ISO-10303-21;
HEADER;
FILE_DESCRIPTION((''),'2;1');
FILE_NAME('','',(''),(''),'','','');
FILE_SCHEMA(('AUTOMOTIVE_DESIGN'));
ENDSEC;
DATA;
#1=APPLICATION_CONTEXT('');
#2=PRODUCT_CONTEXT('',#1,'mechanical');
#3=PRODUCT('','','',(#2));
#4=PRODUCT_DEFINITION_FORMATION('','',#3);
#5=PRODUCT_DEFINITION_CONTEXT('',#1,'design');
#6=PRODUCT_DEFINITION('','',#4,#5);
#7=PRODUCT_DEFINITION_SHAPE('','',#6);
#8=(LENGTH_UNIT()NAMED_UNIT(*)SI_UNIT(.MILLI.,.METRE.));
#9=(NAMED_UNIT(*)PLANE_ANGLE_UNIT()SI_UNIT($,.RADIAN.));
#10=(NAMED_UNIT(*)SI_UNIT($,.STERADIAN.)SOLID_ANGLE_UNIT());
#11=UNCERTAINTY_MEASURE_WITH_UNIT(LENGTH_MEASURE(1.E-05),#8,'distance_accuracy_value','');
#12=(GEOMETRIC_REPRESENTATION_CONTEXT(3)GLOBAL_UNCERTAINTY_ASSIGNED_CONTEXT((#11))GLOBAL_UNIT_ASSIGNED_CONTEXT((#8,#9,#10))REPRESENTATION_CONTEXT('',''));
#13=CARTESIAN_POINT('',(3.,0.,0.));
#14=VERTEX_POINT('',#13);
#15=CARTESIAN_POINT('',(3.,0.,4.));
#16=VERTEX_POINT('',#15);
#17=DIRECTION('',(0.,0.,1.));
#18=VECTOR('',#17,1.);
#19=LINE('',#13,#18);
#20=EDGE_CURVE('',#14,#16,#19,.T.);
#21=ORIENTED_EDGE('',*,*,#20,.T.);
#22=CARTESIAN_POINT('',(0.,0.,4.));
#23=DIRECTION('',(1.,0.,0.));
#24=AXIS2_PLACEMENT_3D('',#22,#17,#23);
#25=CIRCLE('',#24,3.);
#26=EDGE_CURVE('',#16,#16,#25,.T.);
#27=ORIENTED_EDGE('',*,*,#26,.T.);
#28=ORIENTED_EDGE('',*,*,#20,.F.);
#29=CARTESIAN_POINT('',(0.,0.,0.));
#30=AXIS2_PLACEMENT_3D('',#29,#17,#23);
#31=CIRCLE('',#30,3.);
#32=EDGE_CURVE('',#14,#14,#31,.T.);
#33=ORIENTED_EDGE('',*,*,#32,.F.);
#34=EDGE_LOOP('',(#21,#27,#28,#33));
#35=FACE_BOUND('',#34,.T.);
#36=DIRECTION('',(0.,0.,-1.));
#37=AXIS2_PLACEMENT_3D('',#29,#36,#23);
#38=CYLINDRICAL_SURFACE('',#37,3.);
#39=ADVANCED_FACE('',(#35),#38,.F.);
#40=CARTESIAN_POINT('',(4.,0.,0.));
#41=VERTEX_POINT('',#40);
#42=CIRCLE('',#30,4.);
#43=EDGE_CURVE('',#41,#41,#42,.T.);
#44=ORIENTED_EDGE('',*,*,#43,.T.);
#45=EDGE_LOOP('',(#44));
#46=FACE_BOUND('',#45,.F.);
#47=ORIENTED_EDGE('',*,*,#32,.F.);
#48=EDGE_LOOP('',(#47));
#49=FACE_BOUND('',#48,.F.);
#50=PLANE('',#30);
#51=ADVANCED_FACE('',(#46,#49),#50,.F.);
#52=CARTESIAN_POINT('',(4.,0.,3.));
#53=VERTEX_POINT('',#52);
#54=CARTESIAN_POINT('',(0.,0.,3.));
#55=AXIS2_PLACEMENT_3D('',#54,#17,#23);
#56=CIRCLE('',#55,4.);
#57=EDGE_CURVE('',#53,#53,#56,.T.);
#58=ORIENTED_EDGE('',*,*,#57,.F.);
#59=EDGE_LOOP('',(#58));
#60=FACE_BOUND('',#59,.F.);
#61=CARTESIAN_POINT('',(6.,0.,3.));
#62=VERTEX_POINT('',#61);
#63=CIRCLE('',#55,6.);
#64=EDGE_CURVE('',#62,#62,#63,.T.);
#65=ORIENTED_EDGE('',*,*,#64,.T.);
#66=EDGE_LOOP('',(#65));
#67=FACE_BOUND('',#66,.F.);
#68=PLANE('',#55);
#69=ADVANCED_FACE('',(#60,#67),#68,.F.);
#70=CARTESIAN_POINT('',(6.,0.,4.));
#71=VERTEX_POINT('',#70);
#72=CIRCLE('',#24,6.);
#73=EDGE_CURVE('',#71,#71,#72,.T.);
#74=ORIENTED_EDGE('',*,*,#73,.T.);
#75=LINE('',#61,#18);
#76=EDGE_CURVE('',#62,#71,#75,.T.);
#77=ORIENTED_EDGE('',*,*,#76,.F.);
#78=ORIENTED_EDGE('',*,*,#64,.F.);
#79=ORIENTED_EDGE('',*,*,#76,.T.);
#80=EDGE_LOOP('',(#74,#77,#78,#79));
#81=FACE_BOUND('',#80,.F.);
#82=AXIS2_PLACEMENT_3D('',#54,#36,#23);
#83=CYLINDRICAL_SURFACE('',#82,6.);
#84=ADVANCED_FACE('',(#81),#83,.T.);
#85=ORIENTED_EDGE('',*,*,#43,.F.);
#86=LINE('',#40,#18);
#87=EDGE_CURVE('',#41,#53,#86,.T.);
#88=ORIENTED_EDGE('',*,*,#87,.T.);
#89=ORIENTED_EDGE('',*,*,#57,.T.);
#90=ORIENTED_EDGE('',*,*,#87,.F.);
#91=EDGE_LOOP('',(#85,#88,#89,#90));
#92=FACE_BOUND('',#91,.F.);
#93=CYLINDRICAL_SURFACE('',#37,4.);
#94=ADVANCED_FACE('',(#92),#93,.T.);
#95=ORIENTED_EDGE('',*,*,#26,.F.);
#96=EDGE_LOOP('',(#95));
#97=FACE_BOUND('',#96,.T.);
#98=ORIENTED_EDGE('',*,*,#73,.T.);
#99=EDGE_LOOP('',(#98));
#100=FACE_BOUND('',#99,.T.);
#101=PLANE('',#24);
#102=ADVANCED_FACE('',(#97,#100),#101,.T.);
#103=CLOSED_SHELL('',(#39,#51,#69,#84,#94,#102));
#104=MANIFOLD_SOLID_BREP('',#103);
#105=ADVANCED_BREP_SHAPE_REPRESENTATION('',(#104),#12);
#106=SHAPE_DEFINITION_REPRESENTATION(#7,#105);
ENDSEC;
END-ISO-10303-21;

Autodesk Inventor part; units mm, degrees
ref_plane "YZ Plane" through (0, 0, 0) normal (1, 0, 0) x (0, 1, 0)
ref_plane "XZ Plane" through (0, 0, 0) normal (0, 1, 0) x (-1, 0, 0)
ref_plane "XY Plane" through (0, 0, 0) normal (0, 0, 1) x (1, 0, 0)
sketch "スケッチ1" plane through (0, 0, 0) normal (0, 0, 1) x (1, 0, 0)
  circle A0 centre (0, 0) radius 3
  circle A1 centre (0, 0) radius 4
  dimension "d0" = 6
  dimension "d1" = 8
extrude "押し出し1" add sketch "スケッチ1" along normal blind 3
sketch "スケッチ2" plane through (0, 0, 3) normal (0, 0, 1) x (1, 0, 0)
  circle A0 centre (0, 0) radius 6
  circle A1 centre (0, 0) radius 3 projected
  dimension "d4" = 12
extrude "押し出し2" add sketch "スケッチ2" along normal blind 1
properties part number "オイレスフランジ付き06080312,1t ドライメット" material "真鍮"
